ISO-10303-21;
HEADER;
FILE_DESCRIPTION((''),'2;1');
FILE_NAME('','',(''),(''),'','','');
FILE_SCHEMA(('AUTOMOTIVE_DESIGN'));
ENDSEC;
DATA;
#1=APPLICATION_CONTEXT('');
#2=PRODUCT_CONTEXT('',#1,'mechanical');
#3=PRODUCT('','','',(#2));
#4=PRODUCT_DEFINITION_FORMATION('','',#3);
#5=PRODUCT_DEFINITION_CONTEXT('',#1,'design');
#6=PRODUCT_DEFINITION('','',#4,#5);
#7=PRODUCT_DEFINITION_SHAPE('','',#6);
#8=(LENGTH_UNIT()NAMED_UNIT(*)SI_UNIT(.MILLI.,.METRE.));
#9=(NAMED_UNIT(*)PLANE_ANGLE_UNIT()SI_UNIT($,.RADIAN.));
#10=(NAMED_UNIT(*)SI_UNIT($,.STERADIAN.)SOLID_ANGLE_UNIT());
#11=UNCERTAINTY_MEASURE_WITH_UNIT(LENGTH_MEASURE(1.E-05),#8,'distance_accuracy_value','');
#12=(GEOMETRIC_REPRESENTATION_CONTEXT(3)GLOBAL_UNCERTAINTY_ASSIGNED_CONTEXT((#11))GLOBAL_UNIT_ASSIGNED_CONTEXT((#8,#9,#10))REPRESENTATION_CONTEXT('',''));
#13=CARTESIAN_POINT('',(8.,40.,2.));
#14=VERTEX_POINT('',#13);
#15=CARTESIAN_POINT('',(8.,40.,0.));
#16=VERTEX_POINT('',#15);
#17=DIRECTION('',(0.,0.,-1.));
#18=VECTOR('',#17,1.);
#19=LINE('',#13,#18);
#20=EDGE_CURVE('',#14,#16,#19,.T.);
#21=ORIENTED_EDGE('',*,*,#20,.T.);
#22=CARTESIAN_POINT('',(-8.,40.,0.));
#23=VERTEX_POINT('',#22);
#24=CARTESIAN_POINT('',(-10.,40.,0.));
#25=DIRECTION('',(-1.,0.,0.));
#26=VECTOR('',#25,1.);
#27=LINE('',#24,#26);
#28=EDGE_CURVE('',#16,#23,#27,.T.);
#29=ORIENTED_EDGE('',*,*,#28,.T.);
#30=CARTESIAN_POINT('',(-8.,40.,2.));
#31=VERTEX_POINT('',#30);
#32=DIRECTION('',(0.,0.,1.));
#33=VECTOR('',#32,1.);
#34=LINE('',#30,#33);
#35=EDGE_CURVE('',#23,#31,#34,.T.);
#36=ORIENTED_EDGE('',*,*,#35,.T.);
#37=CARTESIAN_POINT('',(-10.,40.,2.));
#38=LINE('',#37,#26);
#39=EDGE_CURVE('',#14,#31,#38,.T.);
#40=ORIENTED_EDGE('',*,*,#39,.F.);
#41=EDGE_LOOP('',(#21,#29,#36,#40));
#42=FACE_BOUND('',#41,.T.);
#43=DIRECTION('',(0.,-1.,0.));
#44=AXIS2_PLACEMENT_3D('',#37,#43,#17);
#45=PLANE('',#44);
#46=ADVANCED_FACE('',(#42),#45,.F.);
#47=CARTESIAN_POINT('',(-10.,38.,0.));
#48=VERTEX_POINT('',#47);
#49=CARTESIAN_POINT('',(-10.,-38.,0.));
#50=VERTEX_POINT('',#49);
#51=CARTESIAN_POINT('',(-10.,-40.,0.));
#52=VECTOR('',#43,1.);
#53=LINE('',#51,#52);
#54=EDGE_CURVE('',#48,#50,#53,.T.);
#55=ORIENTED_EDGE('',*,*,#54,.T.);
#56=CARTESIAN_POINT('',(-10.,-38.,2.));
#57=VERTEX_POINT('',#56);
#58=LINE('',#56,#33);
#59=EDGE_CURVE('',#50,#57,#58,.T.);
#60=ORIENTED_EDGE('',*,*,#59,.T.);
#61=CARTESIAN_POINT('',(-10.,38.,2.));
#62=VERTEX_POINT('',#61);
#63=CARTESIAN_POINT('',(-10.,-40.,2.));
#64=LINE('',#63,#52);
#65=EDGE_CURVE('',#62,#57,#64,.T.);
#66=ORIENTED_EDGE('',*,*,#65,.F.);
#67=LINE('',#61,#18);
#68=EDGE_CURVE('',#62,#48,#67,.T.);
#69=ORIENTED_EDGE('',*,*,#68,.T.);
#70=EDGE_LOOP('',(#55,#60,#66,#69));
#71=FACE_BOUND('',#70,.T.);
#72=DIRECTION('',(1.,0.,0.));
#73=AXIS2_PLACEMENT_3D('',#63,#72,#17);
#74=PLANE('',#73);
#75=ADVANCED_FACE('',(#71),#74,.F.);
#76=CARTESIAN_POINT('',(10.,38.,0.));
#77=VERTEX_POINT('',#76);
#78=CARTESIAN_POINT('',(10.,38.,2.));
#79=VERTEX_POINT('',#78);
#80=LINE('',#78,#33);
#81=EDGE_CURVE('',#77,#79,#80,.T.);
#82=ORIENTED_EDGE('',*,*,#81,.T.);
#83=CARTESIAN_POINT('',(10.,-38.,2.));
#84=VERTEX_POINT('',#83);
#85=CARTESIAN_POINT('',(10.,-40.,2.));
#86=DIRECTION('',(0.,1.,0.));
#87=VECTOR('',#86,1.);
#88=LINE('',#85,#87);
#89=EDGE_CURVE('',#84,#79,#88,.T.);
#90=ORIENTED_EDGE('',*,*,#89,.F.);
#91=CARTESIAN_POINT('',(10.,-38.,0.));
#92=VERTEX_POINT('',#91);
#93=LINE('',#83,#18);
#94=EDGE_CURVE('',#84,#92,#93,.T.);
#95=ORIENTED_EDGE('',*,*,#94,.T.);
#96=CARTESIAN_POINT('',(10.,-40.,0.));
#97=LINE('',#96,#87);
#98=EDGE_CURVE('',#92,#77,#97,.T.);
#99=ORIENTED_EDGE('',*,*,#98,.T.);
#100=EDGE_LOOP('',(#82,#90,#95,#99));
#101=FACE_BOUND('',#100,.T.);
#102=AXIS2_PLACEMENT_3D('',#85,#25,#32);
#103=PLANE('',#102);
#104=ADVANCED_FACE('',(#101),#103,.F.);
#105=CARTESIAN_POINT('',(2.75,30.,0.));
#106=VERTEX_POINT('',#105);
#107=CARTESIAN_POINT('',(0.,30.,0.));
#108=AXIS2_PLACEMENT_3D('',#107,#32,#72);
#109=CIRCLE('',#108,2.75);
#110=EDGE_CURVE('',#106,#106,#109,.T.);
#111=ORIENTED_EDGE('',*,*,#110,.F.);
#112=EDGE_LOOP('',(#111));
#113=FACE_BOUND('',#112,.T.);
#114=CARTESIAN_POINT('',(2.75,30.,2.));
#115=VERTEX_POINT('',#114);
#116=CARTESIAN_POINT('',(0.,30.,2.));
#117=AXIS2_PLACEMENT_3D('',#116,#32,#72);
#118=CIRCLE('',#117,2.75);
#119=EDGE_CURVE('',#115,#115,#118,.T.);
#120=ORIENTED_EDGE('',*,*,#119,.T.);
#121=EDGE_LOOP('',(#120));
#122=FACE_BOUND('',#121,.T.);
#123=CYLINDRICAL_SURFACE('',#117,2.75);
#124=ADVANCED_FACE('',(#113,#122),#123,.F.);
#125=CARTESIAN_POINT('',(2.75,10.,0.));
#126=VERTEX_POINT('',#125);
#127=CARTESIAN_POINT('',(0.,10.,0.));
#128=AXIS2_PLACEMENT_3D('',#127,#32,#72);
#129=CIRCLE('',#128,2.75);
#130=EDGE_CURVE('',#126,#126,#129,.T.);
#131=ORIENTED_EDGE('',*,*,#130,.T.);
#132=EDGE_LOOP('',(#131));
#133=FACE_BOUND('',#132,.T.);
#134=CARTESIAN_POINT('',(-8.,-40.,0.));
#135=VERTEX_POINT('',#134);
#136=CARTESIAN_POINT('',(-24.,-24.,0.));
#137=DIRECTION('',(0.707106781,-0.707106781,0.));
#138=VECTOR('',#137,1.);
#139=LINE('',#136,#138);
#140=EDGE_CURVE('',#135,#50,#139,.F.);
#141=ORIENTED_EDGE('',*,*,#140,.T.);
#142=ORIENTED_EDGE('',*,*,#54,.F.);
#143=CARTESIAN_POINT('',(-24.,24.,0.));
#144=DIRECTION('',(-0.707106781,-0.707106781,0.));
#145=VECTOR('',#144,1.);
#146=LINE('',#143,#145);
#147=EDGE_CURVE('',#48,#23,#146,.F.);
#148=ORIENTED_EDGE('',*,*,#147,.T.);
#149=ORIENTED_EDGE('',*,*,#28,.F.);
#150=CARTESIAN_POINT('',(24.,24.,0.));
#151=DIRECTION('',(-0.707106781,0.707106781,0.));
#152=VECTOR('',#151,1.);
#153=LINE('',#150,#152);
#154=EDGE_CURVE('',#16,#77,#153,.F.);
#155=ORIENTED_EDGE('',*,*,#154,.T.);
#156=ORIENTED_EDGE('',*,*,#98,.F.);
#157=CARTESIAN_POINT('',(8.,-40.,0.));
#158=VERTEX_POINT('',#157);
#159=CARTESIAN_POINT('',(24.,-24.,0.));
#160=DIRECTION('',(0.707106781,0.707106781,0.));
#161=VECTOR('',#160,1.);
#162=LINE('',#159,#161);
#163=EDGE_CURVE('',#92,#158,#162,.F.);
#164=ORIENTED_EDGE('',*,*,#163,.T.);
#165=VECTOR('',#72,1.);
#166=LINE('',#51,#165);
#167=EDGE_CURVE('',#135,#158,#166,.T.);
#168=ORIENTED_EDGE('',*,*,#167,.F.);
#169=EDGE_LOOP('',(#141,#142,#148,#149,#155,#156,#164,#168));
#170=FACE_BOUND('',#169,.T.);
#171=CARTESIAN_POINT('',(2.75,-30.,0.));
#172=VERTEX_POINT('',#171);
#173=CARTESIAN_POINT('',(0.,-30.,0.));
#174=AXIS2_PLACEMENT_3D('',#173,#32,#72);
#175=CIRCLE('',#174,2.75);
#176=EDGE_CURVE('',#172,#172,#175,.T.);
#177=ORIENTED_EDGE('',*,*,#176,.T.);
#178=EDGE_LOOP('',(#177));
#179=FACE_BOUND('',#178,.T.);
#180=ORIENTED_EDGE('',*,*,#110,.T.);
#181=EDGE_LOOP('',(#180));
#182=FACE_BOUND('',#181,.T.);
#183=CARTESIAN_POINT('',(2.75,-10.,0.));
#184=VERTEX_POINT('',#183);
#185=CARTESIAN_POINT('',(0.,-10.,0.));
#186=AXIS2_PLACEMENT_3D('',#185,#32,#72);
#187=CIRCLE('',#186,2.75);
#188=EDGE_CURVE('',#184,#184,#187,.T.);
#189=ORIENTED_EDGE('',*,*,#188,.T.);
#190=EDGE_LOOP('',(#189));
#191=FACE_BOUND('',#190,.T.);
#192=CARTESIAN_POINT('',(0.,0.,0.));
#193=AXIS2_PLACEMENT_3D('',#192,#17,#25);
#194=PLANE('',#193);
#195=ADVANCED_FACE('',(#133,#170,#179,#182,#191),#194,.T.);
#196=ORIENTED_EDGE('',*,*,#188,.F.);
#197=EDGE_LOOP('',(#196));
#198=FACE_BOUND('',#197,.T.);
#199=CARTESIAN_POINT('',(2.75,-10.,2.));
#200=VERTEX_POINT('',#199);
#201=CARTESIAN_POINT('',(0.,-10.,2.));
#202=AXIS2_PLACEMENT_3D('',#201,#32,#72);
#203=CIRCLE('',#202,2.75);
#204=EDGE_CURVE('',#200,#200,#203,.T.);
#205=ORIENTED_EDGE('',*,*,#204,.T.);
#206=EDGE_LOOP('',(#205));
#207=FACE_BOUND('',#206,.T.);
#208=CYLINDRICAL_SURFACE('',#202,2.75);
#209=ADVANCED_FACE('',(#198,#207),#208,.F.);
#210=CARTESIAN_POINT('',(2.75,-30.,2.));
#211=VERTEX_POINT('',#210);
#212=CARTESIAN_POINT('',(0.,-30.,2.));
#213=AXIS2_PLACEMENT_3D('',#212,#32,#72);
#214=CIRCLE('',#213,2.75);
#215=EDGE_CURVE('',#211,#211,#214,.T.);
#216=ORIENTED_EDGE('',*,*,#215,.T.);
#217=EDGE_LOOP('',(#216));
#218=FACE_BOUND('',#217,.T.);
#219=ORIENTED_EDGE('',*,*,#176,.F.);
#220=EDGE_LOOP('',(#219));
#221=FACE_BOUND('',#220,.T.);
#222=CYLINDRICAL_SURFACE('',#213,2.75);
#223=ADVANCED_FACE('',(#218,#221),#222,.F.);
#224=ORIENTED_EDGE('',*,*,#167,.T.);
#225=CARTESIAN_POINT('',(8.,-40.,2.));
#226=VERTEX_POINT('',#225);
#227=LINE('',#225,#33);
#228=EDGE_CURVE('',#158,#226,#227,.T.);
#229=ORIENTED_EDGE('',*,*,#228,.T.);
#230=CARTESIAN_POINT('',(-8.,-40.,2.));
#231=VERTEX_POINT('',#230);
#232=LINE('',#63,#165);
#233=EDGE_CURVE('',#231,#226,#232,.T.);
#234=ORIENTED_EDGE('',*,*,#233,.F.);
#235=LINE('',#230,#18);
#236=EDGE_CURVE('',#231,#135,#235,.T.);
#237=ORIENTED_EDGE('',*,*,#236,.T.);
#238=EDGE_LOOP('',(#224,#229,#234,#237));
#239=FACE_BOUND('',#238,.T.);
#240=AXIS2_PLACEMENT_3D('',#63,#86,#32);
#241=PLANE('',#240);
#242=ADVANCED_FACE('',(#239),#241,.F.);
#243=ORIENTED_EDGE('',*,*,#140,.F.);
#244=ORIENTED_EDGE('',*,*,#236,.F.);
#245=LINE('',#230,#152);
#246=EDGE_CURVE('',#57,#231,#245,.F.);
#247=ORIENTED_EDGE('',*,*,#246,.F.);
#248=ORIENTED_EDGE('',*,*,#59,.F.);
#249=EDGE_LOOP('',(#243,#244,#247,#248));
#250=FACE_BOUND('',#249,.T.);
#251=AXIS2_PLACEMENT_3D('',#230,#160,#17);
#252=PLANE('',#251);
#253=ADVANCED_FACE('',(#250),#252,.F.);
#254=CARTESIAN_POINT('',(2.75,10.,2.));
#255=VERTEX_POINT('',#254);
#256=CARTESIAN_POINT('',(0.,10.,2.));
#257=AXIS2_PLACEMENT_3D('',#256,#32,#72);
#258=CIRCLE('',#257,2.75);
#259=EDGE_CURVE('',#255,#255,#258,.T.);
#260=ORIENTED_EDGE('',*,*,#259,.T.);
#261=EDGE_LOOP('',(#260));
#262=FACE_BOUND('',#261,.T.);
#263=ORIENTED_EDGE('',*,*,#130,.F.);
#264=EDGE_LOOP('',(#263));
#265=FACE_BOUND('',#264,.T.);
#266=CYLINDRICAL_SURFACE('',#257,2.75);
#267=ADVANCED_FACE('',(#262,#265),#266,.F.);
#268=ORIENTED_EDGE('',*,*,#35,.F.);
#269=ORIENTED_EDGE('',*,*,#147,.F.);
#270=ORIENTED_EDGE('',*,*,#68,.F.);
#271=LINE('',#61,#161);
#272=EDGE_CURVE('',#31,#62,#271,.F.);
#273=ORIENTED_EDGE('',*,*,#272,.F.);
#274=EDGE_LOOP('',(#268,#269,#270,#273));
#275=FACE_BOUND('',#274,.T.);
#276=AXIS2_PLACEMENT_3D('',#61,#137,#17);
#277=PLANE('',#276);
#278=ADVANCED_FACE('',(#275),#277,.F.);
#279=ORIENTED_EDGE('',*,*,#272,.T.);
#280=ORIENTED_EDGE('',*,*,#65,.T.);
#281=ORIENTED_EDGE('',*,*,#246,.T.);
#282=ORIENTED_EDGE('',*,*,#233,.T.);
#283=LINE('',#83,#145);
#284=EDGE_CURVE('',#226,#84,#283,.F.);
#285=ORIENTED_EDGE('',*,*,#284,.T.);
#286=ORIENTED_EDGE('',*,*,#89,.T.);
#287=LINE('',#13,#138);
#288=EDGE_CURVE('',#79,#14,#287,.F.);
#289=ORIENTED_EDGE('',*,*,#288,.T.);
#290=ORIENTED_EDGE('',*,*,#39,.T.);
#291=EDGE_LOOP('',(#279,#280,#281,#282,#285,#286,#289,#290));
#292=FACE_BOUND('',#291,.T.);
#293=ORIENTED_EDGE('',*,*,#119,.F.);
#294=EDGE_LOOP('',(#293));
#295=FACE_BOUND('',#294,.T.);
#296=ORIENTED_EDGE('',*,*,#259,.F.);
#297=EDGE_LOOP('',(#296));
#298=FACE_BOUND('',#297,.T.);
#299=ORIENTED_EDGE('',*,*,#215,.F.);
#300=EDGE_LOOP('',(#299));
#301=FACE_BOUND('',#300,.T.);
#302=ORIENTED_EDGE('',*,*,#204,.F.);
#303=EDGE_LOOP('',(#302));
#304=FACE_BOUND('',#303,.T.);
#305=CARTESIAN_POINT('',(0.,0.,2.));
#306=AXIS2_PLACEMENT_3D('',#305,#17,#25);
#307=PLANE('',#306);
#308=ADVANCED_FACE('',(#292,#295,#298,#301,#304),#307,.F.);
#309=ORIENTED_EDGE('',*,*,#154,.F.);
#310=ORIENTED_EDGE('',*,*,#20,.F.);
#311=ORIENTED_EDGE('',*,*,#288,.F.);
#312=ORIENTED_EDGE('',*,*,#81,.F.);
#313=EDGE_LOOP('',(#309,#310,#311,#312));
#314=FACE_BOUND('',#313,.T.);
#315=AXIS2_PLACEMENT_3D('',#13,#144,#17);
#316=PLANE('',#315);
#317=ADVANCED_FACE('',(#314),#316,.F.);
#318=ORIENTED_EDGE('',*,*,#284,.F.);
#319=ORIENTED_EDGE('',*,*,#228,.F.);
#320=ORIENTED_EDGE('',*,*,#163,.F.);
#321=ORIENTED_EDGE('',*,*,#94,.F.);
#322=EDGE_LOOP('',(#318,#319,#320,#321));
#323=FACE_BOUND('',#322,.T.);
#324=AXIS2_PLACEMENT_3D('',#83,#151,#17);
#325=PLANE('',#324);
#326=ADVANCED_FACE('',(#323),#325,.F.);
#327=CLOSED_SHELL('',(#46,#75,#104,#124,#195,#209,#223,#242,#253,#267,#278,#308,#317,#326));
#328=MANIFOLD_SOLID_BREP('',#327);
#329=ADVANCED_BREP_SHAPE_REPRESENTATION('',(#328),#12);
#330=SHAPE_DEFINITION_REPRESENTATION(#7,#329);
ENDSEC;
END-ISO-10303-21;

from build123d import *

# Parameters (mm, degrees)
SKETCH_1_W        = 20
SKETCH_1_H        = 80
EXTRUDE_1_DEPTH   = 2
CHAMFER_1_SIZE    = 2
HOLE_WIZARD_M51_D = 5.5


with BuildPart() as part:
    # Эскиз1 → Бобышка-Вытянуть1 (new body)
    with BuildSketch(Plane.XY):
        Rectangle(SKETCH_1_W, SKETCH_1_H)
    extrude(amount=EXTRUDE_1_DEPTH)

    # Фаска1
    chamfer_1_edges = [part.edges().sort_by_distance(p)[0] for p in [
        (10, -40, 1),
        (-10, -40, 1),
        (-10, 40, 1),
        (10, 40, 1),
    ]]
    chamfer(chamfer_1_edges, length=CHAMFER_1_SIZE)

    # Отверстие с зазором M51 (through all)
    with Locations(Plane.XY.offset(2)):
        with Locations((0, -30), (0, 30), (0, 10), (0, -10)):
            Hole(HOLE_WIZARD_M51_D / 2)


solid = part.part
